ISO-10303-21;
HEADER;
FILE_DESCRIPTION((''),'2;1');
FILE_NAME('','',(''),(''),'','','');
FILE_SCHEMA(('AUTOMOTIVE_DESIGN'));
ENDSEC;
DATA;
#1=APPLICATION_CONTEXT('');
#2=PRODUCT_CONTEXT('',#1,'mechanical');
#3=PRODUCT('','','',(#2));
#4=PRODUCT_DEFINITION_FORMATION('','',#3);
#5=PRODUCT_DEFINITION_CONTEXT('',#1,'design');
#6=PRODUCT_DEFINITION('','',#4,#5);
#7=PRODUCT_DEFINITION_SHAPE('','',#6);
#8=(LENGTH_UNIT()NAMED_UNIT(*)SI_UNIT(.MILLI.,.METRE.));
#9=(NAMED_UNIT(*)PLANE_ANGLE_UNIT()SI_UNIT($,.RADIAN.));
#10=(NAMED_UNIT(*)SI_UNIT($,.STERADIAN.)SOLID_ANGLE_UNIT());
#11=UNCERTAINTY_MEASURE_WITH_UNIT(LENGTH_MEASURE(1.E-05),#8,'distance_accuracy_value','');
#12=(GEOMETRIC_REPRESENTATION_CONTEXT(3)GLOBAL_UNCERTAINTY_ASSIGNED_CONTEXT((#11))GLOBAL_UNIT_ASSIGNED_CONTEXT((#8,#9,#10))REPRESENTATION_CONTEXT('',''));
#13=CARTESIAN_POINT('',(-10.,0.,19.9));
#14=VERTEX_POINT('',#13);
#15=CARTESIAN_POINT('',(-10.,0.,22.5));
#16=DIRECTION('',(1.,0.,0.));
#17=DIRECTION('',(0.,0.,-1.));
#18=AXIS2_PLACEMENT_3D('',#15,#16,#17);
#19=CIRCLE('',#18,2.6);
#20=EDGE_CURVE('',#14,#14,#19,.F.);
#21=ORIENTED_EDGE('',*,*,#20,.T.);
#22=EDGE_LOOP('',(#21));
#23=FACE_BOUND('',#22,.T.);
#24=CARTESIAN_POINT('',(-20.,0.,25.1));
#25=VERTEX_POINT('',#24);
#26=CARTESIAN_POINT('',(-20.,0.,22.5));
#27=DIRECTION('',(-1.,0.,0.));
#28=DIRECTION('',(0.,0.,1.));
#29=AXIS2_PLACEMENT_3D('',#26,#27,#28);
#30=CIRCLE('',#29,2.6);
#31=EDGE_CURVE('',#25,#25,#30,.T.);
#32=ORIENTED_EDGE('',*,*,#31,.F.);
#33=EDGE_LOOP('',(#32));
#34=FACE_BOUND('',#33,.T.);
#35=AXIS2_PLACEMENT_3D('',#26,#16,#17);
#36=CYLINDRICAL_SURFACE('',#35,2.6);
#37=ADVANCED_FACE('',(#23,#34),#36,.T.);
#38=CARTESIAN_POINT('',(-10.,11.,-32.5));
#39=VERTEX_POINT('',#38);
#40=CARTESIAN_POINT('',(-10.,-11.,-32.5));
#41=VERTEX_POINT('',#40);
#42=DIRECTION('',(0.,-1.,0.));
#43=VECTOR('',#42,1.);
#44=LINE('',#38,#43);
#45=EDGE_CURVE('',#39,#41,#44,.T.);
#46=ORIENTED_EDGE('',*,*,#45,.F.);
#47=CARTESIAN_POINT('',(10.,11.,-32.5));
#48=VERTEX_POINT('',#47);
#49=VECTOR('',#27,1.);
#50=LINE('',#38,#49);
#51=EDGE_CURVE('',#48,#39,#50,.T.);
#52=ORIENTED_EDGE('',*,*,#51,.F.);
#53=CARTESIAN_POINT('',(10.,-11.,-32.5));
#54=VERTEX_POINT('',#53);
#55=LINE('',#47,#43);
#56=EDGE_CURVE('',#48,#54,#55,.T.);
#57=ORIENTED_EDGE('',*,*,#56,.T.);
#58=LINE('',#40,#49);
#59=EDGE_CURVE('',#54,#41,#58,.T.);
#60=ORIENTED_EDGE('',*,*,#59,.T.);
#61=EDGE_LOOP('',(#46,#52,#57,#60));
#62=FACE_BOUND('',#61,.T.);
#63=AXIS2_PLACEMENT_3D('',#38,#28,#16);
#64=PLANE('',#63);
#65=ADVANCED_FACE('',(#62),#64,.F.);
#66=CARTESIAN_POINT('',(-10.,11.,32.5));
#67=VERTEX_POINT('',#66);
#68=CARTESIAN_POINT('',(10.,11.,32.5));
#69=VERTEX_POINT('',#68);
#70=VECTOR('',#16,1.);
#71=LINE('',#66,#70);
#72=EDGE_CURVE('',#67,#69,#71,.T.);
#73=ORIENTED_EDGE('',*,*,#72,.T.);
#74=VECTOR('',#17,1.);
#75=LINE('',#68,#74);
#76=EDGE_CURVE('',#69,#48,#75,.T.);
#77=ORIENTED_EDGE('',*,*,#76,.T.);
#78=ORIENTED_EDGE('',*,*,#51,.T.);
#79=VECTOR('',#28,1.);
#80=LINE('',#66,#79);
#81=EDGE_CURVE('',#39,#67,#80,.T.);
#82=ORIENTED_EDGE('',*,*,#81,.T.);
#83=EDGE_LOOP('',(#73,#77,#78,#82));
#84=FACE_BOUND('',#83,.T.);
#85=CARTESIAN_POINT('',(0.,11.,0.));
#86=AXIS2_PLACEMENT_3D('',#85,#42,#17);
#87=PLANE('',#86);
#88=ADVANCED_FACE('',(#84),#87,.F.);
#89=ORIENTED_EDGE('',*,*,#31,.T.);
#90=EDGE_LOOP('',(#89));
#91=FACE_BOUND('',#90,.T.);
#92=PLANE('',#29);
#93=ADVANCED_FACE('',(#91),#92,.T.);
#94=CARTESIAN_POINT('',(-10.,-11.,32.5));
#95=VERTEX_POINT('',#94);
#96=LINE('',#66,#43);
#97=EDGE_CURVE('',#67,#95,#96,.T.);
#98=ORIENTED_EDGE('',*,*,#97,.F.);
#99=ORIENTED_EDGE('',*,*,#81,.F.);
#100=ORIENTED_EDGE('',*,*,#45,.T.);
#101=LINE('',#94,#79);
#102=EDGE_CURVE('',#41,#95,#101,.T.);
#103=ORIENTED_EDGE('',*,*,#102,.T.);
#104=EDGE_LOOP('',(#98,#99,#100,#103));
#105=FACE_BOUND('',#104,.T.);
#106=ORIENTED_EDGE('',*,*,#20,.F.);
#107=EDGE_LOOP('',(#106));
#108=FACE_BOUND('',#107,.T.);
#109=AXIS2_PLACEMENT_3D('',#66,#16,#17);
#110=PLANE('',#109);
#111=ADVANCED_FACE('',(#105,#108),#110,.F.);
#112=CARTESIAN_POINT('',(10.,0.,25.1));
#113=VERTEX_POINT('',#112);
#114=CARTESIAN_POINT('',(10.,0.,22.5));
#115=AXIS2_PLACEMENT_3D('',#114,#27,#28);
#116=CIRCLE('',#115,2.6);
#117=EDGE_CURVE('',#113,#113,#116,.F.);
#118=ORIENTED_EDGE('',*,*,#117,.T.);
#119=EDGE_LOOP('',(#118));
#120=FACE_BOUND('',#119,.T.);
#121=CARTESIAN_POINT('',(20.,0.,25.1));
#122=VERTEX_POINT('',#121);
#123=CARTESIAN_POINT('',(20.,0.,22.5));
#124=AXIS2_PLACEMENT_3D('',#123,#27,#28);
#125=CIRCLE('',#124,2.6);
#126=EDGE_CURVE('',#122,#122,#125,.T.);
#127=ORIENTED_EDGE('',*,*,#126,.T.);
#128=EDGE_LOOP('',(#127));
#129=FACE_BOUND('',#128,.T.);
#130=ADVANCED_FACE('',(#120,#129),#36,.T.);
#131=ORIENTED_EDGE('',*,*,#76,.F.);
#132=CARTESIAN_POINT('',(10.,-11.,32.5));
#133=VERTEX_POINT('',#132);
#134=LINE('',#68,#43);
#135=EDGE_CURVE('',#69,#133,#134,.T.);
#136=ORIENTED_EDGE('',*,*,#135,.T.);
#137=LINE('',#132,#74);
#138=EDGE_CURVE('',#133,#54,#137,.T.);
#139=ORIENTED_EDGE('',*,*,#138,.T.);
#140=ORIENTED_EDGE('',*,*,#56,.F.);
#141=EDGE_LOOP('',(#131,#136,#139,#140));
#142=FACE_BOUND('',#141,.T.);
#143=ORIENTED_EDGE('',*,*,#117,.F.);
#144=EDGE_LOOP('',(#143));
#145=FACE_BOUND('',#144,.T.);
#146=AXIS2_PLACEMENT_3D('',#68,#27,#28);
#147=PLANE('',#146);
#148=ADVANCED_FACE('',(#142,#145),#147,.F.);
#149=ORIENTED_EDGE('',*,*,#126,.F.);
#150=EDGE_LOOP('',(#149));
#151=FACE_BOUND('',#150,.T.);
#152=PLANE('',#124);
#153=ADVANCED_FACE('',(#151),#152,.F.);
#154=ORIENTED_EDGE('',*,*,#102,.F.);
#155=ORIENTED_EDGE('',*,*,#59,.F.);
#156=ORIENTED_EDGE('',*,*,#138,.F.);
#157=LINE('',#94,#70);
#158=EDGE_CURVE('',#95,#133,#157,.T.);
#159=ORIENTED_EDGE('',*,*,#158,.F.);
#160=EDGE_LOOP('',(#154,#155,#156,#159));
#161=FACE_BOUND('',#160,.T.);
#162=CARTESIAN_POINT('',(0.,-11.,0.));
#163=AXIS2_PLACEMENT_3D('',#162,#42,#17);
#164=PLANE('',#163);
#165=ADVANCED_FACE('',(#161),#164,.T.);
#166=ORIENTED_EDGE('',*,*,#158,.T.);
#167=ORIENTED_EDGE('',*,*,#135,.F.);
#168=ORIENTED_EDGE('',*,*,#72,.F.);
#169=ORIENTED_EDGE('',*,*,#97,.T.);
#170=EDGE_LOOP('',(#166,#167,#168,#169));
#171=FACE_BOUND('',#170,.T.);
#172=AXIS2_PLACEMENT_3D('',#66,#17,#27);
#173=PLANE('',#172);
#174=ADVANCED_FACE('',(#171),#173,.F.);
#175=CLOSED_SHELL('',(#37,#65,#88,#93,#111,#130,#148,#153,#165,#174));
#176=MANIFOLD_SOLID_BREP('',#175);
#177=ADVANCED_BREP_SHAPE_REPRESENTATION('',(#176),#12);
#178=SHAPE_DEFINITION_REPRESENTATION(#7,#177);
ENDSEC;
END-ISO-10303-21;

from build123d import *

# Parameters (mm, degrees)
CROQUIS1_W              = 20
CROQUIS1_H              = 65
SALIENTE_EXTRUIR1_DEPTH = 11
CROQUIS3_R              = 2.6
SALIENTE_EXTRUIR2_DEPTH = 20


with BuildPart() as part:
    # Croquis1 → Saliente-Extruir1 (new, symmetric)
    with BuildSketch(Plane(origin=(0, 0, 0), x_dir=(1, 0, 0), z_dir=(0, 1, 0))):
        Rectangle(CROQUIS1_W, CROQUIS1_H)
    extrude(amount=SALIENTE_EXTRUIR1_DEPTH, both=True)

    # Croquis3 → Saliente-Extruir2 (add, symmetric)
    with BuildSketch(Plane.ZY):
        with Locations(Location((22.5, 0, 0), (0, 0, 180))):
            Circle(CROQUIS3_R)
    extrude(amount=SALIENTE_EXTRUIR2_DEPTH, both=True)


solid = part.part
